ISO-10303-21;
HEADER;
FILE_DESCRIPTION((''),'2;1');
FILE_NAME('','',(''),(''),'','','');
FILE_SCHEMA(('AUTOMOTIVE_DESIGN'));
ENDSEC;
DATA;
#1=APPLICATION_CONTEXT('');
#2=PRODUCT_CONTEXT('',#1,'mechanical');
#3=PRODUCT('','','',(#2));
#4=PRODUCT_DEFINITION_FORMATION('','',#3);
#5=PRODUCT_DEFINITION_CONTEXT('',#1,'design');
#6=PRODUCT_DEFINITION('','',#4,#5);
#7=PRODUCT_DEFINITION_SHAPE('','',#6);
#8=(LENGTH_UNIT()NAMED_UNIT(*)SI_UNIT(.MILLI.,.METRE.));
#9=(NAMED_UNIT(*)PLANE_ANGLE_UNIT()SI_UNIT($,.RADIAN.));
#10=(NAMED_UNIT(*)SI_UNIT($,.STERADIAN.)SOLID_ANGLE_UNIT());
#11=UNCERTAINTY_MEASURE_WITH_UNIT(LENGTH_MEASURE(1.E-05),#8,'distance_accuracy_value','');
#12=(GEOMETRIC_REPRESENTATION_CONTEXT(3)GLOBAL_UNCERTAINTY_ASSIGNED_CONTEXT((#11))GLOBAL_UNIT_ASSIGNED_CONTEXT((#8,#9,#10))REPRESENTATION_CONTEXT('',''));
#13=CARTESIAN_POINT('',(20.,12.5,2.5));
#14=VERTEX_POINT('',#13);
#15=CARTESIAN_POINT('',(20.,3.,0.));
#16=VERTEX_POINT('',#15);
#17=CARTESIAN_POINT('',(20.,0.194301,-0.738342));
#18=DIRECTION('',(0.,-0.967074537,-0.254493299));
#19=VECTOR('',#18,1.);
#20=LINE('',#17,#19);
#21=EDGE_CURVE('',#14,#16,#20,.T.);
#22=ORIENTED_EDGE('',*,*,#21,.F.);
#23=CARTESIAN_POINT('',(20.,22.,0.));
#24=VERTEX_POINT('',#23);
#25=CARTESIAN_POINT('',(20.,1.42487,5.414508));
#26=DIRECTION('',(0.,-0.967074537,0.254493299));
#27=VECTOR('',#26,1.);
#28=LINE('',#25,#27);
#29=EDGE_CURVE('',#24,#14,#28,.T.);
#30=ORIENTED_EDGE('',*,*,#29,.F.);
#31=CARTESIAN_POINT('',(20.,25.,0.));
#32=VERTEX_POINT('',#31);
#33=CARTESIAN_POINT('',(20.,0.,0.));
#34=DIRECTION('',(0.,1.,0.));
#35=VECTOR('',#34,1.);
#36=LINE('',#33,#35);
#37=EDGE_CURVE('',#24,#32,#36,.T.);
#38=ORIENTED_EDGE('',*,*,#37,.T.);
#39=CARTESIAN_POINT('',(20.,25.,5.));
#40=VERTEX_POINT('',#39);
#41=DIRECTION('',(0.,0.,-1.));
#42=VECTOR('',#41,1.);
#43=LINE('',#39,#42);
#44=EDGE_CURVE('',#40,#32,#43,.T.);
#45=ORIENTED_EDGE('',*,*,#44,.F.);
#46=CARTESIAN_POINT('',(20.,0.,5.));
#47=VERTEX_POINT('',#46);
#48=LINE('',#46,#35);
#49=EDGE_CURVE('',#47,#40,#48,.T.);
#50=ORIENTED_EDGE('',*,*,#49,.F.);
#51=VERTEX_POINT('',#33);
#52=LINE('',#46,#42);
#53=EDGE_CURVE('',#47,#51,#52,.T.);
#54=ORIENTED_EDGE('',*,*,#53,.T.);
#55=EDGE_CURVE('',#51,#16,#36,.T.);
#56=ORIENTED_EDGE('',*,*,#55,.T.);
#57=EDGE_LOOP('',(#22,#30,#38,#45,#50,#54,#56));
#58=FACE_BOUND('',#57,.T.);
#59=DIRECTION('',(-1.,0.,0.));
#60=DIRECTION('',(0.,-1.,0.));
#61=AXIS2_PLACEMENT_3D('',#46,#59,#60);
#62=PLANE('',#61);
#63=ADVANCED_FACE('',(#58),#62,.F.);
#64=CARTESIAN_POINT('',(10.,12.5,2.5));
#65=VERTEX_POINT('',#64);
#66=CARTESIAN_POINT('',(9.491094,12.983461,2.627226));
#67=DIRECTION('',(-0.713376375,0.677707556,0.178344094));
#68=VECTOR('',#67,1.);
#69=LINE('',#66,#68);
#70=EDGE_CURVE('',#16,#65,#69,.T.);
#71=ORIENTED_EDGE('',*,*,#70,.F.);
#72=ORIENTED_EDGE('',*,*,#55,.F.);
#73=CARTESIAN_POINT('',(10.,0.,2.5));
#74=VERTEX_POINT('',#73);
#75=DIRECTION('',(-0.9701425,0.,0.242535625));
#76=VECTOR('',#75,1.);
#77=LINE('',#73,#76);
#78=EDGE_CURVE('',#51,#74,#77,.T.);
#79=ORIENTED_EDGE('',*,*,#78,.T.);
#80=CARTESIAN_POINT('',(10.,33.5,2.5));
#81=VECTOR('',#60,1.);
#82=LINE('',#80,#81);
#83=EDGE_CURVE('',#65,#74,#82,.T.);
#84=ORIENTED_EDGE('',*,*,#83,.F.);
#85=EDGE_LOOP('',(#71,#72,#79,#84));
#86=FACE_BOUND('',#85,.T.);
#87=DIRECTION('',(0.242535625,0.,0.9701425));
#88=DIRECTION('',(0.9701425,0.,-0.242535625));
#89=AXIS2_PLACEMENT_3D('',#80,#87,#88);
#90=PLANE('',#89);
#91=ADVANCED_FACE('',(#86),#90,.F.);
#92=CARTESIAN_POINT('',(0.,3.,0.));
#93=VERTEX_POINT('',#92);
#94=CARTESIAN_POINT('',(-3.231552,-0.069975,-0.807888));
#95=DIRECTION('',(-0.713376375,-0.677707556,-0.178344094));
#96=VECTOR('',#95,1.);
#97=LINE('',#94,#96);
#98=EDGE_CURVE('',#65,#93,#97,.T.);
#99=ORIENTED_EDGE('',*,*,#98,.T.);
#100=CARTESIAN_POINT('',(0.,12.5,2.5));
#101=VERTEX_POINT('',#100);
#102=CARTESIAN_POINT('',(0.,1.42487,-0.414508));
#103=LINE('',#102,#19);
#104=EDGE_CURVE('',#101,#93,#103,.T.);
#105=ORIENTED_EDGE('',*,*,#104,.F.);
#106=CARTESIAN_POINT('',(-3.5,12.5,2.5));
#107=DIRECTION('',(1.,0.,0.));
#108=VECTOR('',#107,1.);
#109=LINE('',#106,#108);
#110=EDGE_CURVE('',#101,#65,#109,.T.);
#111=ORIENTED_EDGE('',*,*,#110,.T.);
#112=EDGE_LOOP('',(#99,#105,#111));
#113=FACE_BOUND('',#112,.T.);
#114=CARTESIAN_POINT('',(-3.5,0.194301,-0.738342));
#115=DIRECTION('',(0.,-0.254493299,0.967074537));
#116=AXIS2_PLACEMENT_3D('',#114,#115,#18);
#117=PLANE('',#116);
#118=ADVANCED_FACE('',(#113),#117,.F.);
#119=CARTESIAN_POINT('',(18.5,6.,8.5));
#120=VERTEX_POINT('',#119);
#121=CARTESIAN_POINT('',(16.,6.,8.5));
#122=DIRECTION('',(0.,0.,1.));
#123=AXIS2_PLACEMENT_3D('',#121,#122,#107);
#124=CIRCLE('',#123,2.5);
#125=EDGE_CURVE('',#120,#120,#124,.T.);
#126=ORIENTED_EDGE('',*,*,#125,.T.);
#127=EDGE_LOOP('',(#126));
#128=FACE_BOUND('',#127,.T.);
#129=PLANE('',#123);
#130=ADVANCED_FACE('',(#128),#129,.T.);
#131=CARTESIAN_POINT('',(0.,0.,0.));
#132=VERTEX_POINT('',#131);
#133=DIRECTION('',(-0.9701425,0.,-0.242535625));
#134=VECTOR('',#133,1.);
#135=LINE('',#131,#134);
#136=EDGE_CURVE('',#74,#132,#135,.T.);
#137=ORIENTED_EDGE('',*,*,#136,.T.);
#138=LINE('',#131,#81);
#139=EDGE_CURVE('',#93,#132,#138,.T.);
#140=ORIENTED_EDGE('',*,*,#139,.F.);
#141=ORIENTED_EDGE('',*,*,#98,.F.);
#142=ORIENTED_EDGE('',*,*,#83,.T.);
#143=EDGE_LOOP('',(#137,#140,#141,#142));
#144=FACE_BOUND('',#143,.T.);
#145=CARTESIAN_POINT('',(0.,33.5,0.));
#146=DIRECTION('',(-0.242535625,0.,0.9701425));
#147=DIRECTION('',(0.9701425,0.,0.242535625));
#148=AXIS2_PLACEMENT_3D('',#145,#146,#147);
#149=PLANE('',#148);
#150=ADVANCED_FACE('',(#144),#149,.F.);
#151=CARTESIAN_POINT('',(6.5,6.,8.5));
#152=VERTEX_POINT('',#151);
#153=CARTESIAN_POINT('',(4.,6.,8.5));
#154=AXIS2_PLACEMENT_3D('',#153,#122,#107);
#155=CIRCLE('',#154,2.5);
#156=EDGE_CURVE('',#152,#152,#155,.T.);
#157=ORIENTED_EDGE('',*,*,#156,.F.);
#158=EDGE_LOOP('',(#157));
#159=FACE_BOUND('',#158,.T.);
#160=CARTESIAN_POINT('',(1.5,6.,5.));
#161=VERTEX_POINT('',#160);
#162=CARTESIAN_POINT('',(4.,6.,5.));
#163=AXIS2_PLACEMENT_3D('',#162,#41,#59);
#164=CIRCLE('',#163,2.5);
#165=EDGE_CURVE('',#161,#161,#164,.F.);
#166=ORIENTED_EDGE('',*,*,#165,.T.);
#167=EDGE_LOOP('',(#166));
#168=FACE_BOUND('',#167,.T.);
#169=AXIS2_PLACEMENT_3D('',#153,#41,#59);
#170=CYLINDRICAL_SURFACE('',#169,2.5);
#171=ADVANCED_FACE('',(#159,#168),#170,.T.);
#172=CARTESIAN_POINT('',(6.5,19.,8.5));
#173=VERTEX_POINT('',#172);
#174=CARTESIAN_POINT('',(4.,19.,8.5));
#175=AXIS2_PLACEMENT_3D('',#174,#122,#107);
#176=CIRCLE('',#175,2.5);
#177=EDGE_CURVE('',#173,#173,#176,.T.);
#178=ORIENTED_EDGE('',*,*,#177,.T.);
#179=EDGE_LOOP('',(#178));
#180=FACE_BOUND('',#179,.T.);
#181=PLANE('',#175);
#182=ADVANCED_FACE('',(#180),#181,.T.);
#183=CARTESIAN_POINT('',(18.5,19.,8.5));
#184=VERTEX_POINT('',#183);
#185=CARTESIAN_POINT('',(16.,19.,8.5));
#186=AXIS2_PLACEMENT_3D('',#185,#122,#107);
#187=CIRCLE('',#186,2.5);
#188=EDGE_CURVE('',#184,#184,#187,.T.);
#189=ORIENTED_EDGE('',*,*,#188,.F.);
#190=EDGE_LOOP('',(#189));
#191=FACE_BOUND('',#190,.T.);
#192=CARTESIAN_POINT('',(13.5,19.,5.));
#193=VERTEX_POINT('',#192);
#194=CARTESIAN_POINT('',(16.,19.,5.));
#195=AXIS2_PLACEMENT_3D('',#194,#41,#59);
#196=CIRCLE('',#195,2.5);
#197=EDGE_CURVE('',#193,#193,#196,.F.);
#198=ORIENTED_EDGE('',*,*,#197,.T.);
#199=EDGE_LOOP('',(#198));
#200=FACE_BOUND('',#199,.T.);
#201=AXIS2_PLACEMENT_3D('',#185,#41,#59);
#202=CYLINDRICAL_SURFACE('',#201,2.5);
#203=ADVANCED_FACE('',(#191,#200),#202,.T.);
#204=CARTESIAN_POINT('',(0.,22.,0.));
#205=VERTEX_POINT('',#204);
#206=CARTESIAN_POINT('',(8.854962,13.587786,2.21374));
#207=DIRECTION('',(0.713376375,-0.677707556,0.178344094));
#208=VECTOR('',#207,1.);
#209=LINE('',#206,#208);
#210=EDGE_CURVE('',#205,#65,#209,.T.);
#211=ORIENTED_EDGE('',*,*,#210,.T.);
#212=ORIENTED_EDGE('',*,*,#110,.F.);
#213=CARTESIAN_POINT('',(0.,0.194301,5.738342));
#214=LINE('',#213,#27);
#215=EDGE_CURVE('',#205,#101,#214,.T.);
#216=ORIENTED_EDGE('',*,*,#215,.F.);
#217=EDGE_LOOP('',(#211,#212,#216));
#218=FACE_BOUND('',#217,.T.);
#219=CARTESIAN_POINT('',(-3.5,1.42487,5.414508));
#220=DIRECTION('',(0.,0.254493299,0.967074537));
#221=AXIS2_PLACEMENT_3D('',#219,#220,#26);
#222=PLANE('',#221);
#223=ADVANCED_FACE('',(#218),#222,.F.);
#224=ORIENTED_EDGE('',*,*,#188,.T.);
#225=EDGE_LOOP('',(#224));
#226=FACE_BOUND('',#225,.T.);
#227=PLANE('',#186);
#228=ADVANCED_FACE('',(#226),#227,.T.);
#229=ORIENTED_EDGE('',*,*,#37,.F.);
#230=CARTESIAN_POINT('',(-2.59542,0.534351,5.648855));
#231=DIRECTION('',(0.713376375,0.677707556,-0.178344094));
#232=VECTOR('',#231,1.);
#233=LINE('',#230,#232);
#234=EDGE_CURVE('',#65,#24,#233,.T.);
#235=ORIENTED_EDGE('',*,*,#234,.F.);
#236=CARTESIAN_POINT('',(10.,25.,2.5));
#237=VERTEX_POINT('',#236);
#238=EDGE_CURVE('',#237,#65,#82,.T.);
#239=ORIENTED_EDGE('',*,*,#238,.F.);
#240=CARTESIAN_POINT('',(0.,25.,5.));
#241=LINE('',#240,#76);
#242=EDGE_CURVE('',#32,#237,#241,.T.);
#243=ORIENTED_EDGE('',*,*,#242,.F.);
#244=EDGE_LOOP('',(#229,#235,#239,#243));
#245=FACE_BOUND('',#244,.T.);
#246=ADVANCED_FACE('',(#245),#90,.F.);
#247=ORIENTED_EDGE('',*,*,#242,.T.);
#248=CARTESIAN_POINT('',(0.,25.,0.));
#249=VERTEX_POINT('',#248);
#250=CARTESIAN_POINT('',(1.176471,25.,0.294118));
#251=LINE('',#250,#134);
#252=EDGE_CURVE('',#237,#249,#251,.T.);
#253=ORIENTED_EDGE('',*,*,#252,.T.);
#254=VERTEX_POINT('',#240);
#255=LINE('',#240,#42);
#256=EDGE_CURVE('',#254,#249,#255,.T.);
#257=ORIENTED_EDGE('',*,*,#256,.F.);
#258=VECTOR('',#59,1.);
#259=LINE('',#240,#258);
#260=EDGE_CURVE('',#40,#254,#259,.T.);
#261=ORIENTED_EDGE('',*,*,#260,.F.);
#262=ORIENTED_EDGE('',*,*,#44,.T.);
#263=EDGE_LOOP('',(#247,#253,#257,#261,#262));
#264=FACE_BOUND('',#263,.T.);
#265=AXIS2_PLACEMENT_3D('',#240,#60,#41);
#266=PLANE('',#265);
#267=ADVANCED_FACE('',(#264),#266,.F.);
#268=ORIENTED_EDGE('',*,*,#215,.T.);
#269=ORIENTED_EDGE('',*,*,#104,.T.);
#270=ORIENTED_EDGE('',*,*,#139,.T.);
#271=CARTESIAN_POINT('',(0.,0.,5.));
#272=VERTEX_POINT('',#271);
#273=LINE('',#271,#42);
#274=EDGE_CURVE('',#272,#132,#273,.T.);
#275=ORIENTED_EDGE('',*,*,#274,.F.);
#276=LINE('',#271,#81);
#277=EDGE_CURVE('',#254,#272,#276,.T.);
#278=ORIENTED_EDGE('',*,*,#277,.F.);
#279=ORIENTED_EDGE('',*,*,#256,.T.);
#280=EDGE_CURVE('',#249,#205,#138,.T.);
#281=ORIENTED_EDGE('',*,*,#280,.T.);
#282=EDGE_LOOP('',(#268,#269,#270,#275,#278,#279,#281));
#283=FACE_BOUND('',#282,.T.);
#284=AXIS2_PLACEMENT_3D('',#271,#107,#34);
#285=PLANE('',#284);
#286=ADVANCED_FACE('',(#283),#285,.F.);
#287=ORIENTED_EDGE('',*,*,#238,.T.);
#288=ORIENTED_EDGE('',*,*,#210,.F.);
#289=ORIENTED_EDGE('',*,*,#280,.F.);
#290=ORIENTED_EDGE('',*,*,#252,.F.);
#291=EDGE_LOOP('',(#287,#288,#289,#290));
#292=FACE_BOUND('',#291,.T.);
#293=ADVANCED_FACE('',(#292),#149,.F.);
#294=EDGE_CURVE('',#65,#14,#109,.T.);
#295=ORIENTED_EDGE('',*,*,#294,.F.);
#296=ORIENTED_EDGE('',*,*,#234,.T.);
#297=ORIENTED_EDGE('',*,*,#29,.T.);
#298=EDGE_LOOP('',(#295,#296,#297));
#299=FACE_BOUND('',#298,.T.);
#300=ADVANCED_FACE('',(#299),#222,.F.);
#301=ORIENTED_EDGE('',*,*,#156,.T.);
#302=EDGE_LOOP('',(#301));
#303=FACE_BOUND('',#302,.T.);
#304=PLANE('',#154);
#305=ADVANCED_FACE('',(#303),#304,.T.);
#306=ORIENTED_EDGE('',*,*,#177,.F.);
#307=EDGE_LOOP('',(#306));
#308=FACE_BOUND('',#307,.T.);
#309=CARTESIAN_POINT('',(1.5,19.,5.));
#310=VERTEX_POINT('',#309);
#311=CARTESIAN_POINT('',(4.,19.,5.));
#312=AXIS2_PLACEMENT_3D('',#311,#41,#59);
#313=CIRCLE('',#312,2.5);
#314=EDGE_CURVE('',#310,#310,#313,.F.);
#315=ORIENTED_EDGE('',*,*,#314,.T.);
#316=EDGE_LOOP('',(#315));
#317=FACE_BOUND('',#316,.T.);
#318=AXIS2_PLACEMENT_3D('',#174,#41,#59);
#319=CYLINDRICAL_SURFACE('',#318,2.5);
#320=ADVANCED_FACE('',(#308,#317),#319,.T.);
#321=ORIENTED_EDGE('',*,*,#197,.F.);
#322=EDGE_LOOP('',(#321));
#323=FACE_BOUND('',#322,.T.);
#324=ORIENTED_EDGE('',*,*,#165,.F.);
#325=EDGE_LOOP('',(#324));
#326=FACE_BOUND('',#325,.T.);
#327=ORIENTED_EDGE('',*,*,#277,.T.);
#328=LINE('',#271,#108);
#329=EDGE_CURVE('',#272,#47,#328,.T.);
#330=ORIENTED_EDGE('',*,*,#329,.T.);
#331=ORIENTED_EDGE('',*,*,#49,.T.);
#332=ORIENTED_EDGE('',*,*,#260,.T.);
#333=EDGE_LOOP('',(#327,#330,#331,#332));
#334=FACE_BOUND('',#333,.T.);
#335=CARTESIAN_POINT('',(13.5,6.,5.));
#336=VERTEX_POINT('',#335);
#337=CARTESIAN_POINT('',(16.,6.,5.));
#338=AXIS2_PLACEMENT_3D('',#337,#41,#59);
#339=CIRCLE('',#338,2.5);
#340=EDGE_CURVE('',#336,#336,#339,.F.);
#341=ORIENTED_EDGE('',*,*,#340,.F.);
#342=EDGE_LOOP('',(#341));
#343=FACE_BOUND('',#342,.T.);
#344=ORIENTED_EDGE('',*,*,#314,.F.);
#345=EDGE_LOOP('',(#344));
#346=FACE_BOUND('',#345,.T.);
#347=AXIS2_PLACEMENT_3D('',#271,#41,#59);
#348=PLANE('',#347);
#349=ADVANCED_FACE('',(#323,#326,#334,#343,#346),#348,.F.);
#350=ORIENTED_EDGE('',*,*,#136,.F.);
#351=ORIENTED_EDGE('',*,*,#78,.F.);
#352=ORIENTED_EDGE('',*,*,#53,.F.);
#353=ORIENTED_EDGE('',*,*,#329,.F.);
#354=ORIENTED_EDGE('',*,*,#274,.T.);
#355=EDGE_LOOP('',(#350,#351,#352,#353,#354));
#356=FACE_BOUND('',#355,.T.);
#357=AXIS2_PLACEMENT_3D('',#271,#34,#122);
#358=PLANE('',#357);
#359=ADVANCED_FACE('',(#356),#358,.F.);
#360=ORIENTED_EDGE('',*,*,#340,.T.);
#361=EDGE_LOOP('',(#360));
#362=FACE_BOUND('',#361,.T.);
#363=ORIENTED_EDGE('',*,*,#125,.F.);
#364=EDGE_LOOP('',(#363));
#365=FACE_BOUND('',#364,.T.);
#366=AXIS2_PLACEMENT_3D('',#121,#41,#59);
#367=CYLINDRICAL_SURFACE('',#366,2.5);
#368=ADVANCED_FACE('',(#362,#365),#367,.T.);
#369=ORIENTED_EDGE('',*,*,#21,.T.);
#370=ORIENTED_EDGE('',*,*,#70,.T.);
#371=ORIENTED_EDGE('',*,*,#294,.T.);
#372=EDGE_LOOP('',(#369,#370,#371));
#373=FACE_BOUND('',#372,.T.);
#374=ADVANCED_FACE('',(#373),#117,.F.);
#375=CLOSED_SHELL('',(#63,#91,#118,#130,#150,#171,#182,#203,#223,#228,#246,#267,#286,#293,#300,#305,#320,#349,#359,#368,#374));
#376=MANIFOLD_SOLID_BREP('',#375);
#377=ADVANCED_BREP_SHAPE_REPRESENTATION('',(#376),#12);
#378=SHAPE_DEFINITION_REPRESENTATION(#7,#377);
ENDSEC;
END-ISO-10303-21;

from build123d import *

# Parameters (mm, degrees)
SKETCH1_W           = 20
SKETCH1_H           = 25
BOSS_EXTRUDE1_DEPTH = 5
SKETCH2_R           = 2.5
BOSS_EXTRUDE2_DEPTH = 3.5
CUT_EXTRUDE1_DEPTH  = 23.5
CUT_EXTRUDE2_DEPTH  = 33.5


with BuildPart() as part:
    # Sketch1 → Boss-Extrude1 (new body)
    with BuildSketch(Plane.XY):
        with Locations((10, 12.5)):
            Rectangle(SKETCH1_W, SKETCH1_H)
    extrude(amount=BOSS_EXTRUDE1_DEPTH)

    # Sketch2 → Boss-Extrude2 (add)
    with BuildSketch(Plane.XY.offset(5)):
        with Locations(Location((4, 19, 0), (0, 0, 180))):
            Circle(SKETCH2_R)
        with Locations(Location((16, 19, 0), (0, 0, 180))):
            Circle(SKETCH2_R)
        with Locations(Location((16, 6, 0), (0, 0, 180))):
            Circle(SKETCH2_R)
        with Locations(Location((4, 6, 0), (0, 0, 180))):
            Circle(SKETCH2_R)
    extrude(amount=BOSS_EXTRUDE2_DEPTH)

    # Sketch3 → Cut-Extrude1 (cut)
    with BuildSketch(Plane(origin=(20, 0, 0), x_dir=(0, 0, -1), z_dir=(1, 0, 0))):
        Polygon((0, 22), (-2.5, 12.5), (0, 12.5), align=None)
        Polygon((0, 12.5), (-2.5, 12.5), (0, 3), align=None)
    extrude(amount=-CUT_EXTRUDE1_DEPTH, mode=Mode.SUBTRACT)

    # Sketch4 → Cut-Extrude2 (cut)
    with BuildSketch(Plane(origin=(0, 0, 0), x_dir=(-1, 0, 0), z_dir=(0, -1, 0))):
        Polygon((0, 0), (-10, -2.5), (-20, 0), align=None)
    extrude(amount=-CUT_EXTRUDE2_DEPTH, mode=Mode.SUBTRACT)


solid = part.part
